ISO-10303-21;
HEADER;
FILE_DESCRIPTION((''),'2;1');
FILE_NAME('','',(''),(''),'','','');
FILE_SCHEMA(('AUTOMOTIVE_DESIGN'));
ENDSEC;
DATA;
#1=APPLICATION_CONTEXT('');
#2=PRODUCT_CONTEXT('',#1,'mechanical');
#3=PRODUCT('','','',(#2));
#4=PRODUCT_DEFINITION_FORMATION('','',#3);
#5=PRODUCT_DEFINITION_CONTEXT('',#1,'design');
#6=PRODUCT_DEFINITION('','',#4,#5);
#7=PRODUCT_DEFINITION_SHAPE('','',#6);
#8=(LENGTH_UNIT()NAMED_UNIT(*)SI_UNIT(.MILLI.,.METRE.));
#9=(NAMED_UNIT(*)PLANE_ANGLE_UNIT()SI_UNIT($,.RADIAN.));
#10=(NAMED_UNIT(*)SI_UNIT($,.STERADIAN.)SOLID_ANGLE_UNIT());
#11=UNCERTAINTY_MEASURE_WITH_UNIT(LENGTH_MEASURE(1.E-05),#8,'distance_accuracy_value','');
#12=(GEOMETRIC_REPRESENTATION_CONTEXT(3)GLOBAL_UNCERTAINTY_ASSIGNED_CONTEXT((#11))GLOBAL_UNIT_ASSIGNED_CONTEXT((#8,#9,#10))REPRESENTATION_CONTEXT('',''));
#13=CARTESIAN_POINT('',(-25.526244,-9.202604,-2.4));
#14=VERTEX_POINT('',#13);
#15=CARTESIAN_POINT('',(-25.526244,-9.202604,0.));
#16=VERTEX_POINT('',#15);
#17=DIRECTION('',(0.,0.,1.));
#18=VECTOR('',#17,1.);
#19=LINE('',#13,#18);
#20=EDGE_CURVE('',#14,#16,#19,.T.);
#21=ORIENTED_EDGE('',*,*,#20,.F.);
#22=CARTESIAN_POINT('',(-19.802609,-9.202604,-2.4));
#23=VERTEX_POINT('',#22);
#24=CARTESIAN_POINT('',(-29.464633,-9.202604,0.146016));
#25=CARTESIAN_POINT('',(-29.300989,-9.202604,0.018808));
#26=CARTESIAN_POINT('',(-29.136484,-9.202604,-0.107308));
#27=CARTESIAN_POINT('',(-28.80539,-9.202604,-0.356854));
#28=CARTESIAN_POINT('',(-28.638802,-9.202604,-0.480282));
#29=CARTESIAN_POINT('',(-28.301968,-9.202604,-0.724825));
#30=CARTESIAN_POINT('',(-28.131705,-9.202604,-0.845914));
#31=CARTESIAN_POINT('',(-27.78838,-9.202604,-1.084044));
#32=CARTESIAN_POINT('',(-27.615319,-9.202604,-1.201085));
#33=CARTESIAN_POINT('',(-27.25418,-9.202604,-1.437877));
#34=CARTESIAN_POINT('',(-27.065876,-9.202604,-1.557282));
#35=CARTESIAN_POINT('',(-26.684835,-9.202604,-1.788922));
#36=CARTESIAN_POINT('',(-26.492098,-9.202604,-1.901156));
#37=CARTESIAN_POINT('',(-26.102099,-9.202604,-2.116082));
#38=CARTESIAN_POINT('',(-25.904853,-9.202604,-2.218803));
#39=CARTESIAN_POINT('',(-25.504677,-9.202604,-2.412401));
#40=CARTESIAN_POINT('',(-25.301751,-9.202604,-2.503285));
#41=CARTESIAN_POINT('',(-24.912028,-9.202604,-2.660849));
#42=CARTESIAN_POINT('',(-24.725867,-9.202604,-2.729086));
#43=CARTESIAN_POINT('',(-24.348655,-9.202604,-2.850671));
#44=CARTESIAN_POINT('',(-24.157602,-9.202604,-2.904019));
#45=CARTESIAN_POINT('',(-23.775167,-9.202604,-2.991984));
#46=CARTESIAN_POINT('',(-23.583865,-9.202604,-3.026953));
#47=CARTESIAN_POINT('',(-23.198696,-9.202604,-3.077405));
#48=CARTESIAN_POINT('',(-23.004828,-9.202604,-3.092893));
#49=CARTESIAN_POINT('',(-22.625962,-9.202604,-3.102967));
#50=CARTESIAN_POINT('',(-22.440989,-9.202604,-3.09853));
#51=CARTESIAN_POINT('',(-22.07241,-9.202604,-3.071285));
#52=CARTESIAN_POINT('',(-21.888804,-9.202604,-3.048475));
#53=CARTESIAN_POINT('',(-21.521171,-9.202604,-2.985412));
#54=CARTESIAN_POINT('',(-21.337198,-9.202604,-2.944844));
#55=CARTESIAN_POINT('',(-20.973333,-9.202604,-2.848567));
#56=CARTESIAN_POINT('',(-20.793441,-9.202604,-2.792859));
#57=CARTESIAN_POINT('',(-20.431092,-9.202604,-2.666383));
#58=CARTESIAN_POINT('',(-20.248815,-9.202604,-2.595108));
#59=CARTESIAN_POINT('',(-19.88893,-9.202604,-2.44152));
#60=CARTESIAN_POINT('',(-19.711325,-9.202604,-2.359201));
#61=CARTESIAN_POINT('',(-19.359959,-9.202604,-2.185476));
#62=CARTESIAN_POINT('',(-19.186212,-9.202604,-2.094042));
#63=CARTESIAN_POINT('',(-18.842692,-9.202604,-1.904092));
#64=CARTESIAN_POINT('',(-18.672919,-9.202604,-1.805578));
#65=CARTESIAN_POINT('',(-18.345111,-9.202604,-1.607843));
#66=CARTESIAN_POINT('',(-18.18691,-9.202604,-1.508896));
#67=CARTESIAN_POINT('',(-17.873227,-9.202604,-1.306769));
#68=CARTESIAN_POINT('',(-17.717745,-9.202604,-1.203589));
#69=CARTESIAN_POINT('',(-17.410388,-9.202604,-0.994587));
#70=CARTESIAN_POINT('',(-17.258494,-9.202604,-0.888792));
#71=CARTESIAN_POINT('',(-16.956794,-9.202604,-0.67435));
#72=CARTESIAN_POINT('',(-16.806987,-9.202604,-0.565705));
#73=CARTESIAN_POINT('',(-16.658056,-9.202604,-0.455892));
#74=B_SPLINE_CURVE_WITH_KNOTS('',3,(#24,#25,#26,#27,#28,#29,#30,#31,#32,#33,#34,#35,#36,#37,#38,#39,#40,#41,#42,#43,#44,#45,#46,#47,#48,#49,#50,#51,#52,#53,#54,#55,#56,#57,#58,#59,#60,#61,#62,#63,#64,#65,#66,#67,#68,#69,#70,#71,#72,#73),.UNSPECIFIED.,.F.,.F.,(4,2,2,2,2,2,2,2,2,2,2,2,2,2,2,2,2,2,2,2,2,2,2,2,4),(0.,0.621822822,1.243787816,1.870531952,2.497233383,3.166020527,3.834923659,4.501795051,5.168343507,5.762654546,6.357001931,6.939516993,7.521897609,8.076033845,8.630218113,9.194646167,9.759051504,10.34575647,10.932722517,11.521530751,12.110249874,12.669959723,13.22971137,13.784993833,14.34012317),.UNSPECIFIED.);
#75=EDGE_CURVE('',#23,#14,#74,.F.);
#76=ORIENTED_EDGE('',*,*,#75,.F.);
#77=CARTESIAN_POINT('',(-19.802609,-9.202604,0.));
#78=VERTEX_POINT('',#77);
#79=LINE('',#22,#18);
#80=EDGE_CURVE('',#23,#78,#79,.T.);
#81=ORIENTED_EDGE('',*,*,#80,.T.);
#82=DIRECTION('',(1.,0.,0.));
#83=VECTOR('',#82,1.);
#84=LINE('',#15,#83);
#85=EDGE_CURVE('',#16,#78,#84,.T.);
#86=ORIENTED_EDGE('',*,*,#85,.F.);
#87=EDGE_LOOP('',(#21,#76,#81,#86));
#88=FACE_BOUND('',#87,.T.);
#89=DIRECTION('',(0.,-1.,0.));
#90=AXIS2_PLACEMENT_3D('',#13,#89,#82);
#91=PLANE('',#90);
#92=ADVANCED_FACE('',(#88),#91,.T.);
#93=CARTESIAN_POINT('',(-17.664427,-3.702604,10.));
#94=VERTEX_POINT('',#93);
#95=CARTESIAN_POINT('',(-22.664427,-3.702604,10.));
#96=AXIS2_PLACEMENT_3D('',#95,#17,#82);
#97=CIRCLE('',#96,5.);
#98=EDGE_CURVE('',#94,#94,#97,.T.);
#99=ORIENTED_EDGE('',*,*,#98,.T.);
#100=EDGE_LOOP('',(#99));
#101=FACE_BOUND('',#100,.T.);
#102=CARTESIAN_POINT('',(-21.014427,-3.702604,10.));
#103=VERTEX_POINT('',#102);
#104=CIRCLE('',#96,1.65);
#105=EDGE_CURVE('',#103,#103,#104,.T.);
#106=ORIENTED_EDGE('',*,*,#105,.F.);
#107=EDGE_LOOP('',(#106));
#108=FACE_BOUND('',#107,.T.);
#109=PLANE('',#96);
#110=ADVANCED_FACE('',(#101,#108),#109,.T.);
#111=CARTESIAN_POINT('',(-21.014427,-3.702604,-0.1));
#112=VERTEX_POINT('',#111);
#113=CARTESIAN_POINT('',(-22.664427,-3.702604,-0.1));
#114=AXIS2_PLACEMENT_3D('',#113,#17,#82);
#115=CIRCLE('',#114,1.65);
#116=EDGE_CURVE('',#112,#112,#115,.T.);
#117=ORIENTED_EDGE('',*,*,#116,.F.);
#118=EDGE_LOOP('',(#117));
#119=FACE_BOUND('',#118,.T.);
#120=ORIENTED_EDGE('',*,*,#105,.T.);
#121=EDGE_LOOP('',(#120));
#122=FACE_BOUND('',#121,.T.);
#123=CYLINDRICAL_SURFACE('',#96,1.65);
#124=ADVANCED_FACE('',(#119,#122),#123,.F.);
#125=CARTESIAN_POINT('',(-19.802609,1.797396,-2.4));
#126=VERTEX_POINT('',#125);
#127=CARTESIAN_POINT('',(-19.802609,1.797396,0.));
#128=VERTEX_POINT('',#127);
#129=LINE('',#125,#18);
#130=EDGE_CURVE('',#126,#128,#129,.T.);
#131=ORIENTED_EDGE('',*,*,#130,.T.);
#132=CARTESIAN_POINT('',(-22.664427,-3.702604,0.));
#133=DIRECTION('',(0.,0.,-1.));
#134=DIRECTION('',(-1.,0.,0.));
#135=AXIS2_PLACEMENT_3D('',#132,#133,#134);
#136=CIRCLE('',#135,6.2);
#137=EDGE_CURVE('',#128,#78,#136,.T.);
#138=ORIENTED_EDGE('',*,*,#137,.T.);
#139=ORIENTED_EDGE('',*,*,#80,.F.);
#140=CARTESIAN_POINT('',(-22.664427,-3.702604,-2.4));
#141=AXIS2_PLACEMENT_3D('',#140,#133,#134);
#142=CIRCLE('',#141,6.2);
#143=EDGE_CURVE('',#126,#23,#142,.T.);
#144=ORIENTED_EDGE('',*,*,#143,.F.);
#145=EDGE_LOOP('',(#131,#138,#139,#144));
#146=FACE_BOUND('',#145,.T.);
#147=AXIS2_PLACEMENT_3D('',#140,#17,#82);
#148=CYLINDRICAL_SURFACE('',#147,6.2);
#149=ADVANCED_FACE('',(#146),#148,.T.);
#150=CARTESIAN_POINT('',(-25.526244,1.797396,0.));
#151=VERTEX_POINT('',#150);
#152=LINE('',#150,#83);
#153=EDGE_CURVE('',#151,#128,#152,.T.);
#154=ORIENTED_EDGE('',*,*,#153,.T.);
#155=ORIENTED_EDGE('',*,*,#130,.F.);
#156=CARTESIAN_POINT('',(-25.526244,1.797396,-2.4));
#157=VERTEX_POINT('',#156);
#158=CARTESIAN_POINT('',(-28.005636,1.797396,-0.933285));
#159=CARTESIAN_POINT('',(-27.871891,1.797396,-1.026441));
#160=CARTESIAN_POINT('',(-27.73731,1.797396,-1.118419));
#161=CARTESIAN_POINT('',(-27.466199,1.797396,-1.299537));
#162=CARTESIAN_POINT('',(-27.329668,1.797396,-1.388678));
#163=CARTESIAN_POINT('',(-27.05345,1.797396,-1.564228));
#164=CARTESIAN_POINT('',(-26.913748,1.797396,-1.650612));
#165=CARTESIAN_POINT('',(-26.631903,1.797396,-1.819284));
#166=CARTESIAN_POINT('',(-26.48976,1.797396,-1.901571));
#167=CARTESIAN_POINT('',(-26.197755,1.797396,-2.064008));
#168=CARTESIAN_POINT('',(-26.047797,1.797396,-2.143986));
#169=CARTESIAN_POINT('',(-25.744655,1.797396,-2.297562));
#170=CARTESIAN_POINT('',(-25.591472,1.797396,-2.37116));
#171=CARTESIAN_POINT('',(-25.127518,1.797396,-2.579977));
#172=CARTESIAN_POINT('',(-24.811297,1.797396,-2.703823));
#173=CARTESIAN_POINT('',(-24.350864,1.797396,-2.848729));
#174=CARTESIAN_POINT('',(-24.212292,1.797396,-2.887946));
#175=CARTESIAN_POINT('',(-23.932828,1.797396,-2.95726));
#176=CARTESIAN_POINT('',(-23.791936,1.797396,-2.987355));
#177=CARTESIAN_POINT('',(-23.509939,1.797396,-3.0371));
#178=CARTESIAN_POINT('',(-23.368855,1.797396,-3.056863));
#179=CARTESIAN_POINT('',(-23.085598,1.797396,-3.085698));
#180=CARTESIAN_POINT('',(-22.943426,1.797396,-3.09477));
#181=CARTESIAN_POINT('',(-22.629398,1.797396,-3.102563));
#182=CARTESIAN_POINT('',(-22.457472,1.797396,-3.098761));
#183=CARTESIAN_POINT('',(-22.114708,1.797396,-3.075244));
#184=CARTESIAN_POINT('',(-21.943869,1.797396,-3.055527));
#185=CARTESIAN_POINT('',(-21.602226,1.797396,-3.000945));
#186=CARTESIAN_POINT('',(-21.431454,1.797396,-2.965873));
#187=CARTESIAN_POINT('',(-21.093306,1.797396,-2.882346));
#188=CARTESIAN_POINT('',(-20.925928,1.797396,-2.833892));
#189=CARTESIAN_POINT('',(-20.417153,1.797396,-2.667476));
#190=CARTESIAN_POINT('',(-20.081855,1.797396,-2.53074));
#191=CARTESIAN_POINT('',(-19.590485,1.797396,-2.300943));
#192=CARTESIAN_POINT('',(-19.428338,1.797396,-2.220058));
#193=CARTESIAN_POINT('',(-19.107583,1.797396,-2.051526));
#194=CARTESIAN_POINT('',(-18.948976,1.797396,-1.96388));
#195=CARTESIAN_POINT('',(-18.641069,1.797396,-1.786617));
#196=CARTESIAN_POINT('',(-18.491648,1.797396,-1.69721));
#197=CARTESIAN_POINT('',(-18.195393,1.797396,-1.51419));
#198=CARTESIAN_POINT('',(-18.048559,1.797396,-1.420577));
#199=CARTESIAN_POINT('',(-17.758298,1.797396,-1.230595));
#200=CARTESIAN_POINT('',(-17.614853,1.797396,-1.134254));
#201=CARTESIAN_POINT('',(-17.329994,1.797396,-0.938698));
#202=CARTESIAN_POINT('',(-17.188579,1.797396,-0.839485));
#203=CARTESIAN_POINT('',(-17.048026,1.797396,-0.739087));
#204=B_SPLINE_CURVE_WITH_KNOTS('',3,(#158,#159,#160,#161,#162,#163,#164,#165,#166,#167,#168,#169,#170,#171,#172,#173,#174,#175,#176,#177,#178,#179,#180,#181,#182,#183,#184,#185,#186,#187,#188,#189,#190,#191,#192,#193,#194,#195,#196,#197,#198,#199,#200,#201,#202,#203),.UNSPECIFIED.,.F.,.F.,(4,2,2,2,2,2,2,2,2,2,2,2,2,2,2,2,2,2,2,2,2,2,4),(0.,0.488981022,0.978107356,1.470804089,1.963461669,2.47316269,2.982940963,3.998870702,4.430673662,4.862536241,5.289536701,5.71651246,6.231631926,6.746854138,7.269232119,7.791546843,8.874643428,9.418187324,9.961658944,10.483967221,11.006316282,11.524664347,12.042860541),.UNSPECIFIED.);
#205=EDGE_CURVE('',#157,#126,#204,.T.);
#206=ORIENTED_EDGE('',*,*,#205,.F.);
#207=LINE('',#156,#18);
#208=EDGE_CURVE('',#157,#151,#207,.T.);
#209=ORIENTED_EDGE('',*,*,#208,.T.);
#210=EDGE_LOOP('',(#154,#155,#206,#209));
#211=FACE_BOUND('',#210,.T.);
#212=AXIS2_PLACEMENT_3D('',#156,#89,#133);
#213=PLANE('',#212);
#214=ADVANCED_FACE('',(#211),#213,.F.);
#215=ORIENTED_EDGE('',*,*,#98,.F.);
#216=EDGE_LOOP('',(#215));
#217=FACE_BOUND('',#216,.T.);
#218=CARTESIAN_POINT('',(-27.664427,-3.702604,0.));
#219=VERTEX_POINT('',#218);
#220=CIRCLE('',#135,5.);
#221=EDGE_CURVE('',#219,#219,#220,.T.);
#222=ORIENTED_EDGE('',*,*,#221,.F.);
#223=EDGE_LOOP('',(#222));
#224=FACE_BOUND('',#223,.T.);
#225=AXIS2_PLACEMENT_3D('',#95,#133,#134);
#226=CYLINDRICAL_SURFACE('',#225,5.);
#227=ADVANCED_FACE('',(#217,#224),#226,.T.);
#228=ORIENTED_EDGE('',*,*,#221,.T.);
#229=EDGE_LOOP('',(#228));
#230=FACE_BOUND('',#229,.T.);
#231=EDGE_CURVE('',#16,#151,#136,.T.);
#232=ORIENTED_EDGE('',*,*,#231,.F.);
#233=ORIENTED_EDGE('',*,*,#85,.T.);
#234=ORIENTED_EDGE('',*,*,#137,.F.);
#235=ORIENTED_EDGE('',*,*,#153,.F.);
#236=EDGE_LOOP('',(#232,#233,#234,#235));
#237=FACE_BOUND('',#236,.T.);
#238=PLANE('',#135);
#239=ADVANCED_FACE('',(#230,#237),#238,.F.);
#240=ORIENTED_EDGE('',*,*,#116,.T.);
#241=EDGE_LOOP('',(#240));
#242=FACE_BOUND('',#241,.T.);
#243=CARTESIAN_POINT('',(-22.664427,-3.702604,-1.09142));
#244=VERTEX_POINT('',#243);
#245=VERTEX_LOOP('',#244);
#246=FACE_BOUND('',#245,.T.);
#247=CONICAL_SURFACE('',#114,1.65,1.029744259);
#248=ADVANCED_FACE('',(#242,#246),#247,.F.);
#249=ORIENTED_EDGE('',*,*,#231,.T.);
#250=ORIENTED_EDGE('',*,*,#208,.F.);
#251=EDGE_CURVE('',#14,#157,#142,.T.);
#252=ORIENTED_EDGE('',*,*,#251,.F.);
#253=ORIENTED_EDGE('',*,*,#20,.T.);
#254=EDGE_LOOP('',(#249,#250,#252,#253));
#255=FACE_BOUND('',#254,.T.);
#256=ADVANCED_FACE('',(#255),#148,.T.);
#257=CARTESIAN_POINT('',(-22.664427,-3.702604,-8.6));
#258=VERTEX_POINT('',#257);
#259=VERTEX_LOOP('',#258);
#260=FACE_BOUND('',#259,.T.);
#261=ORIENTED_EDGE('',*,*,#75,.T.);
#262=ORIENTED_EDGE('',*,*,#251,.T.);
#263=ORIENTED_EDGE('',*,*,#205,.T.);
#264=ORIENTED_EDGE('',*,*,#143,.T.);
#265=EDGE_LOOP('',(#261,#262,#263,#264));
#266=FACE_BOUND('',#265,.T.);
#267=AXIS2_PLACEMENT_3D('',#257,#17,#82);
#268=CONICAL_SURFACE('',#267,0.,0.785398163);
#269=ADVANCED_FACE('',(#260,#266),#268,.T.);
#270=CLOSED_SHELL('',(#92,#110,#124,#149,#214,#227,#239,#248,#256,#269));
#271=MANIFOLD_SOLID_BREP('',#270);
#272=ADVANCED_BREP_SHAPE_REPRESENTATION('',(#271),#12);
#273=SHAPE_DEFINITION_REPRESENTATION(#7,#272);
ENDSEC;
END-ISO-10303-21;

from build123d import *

# Parameters (mm, degrees)
SKETCH1_R                 = 5
BOSS_EXTRUDE1_DEPTH       = 10
BOSS_EXTRUDE3_DEPTH       = 2.4
SKETCH15_W                = 6.028380363
SKETCH15_H                = 2.991132054
CUT_EXTRUDE1_DEPTH        = 2.4
SKETCH16_W                = 6.590795167
SKETCH16_H                = 1.091372194
CUT_EXTRUDE3_DEPTH        = 2.4
M4X0_7_TAPPED_HOLE1_D     = 3.3
M4X0_7_TAPPED_HOLE1_DEPTH = 10.1
M4X0_7_TAPPED_HOLE1_TIP   = 0.991420021


with BuildPart() as part:
    # Sketch1 → Boss-Extrude1 (new body)
    with BuildSketch(Plane.XY):
        with Locations((-22.664426825, -3.702604382)):
            Circle(SKETCH1_R)
    extrude(amount=BOSS_EXTRUDE1_DEPTH)

    # Sketch2 → Boss-Extrude3 (add)
    with BuildSketch(Plane(origin=(0, 0, 0), x_dir=(-1, 0, 0), z_dir=(0, 0, -1))):
        with BuildLine():
            Line((25.526244429, -9.202604382), (19.80260922, -9.202604382))
            ThreePointArc((19.80260922, -9.202604382), (16.464426825, -3.702604382), (19.80260922, 1.797395618))
            Line((19.80260922, 1.797395618), (25.526244429, 1.797395618))
            ThreePointArc((25.526244429, 1.797395618), (28.864426825, -3.702604382), (25.526244429, -9.202604382))
        make_face()
    extrude(amount=BOSS_EXTRUDE3_DEPTH)

    # Sketch13 → Revolve1 (revolve)
    with BuildSketch(Plane(origin=(0, -3.702604382, 0), x_dir=(1, 0, 0), z_dir=(0, 1, 0)), mode=Mode.PRIVATE) as revolve1_sk:
        Polygon((-16.464426825, 2.4), (-22.664426825, 2.4), (-22.664426825, 8.6), align=None)
    revolve(revolve1_sk.sketch.rotate(Axis((-22.664426825, -3.702604382, -2.4), (0, 0, -1)), 180), axis=Axis((-22.664426825, -3.702604382, -2.4), (0, 0, -1)))

    # Sketch15 → Cut-Extrude1 (cut)
    with BuildSketch(Plane.XY.offset(-2.4)):
        with Locations((-22.512054248, 3.292961645)):
            Rectangle(SKETCH15_W, SKETCH15_H)
    extrude(amount=-CUT_EXTRUDE1_DEPTH, mode=Mode.SUBTRACT)

    # Sketch16 → Cut-Extrude3 (cut)
    with BuildSketch(Plane.XY.offset(-2.4)):
        with Locations((-23.098006803, -9.748290479)):
            Rectangle(SKETCH16_W, SKETCH16_H)
    extrude(amount=-CUT_EXTRUDE3_DEPTH, mode=Mode.SUBTRACT)

    # M4x0.7 Tapped Hole1
    with Locations(Plane.XY.offset(10)):
        with Locations((-22.664426825, -3.702604382)):
            Hole(M4X0_7_TAPPED_HOLE1_D / 2, depth=M4X0_7_TAPPED_HOLE1_DEPTH)
            with Locations((0, 0, -(M4X0_7_TAPPED_HOLE1_DEPTH + M4X0_7_TAPPED_HOLE1_TIP / 2))):  # 118° drill point
                Cone(0, M4X0_7_TAPPED_HOLE1_D / 2, M4X0_7_TAPPED_HOLE1_TIP, mode=Mode.SUBTRACT)


solid = part.part
